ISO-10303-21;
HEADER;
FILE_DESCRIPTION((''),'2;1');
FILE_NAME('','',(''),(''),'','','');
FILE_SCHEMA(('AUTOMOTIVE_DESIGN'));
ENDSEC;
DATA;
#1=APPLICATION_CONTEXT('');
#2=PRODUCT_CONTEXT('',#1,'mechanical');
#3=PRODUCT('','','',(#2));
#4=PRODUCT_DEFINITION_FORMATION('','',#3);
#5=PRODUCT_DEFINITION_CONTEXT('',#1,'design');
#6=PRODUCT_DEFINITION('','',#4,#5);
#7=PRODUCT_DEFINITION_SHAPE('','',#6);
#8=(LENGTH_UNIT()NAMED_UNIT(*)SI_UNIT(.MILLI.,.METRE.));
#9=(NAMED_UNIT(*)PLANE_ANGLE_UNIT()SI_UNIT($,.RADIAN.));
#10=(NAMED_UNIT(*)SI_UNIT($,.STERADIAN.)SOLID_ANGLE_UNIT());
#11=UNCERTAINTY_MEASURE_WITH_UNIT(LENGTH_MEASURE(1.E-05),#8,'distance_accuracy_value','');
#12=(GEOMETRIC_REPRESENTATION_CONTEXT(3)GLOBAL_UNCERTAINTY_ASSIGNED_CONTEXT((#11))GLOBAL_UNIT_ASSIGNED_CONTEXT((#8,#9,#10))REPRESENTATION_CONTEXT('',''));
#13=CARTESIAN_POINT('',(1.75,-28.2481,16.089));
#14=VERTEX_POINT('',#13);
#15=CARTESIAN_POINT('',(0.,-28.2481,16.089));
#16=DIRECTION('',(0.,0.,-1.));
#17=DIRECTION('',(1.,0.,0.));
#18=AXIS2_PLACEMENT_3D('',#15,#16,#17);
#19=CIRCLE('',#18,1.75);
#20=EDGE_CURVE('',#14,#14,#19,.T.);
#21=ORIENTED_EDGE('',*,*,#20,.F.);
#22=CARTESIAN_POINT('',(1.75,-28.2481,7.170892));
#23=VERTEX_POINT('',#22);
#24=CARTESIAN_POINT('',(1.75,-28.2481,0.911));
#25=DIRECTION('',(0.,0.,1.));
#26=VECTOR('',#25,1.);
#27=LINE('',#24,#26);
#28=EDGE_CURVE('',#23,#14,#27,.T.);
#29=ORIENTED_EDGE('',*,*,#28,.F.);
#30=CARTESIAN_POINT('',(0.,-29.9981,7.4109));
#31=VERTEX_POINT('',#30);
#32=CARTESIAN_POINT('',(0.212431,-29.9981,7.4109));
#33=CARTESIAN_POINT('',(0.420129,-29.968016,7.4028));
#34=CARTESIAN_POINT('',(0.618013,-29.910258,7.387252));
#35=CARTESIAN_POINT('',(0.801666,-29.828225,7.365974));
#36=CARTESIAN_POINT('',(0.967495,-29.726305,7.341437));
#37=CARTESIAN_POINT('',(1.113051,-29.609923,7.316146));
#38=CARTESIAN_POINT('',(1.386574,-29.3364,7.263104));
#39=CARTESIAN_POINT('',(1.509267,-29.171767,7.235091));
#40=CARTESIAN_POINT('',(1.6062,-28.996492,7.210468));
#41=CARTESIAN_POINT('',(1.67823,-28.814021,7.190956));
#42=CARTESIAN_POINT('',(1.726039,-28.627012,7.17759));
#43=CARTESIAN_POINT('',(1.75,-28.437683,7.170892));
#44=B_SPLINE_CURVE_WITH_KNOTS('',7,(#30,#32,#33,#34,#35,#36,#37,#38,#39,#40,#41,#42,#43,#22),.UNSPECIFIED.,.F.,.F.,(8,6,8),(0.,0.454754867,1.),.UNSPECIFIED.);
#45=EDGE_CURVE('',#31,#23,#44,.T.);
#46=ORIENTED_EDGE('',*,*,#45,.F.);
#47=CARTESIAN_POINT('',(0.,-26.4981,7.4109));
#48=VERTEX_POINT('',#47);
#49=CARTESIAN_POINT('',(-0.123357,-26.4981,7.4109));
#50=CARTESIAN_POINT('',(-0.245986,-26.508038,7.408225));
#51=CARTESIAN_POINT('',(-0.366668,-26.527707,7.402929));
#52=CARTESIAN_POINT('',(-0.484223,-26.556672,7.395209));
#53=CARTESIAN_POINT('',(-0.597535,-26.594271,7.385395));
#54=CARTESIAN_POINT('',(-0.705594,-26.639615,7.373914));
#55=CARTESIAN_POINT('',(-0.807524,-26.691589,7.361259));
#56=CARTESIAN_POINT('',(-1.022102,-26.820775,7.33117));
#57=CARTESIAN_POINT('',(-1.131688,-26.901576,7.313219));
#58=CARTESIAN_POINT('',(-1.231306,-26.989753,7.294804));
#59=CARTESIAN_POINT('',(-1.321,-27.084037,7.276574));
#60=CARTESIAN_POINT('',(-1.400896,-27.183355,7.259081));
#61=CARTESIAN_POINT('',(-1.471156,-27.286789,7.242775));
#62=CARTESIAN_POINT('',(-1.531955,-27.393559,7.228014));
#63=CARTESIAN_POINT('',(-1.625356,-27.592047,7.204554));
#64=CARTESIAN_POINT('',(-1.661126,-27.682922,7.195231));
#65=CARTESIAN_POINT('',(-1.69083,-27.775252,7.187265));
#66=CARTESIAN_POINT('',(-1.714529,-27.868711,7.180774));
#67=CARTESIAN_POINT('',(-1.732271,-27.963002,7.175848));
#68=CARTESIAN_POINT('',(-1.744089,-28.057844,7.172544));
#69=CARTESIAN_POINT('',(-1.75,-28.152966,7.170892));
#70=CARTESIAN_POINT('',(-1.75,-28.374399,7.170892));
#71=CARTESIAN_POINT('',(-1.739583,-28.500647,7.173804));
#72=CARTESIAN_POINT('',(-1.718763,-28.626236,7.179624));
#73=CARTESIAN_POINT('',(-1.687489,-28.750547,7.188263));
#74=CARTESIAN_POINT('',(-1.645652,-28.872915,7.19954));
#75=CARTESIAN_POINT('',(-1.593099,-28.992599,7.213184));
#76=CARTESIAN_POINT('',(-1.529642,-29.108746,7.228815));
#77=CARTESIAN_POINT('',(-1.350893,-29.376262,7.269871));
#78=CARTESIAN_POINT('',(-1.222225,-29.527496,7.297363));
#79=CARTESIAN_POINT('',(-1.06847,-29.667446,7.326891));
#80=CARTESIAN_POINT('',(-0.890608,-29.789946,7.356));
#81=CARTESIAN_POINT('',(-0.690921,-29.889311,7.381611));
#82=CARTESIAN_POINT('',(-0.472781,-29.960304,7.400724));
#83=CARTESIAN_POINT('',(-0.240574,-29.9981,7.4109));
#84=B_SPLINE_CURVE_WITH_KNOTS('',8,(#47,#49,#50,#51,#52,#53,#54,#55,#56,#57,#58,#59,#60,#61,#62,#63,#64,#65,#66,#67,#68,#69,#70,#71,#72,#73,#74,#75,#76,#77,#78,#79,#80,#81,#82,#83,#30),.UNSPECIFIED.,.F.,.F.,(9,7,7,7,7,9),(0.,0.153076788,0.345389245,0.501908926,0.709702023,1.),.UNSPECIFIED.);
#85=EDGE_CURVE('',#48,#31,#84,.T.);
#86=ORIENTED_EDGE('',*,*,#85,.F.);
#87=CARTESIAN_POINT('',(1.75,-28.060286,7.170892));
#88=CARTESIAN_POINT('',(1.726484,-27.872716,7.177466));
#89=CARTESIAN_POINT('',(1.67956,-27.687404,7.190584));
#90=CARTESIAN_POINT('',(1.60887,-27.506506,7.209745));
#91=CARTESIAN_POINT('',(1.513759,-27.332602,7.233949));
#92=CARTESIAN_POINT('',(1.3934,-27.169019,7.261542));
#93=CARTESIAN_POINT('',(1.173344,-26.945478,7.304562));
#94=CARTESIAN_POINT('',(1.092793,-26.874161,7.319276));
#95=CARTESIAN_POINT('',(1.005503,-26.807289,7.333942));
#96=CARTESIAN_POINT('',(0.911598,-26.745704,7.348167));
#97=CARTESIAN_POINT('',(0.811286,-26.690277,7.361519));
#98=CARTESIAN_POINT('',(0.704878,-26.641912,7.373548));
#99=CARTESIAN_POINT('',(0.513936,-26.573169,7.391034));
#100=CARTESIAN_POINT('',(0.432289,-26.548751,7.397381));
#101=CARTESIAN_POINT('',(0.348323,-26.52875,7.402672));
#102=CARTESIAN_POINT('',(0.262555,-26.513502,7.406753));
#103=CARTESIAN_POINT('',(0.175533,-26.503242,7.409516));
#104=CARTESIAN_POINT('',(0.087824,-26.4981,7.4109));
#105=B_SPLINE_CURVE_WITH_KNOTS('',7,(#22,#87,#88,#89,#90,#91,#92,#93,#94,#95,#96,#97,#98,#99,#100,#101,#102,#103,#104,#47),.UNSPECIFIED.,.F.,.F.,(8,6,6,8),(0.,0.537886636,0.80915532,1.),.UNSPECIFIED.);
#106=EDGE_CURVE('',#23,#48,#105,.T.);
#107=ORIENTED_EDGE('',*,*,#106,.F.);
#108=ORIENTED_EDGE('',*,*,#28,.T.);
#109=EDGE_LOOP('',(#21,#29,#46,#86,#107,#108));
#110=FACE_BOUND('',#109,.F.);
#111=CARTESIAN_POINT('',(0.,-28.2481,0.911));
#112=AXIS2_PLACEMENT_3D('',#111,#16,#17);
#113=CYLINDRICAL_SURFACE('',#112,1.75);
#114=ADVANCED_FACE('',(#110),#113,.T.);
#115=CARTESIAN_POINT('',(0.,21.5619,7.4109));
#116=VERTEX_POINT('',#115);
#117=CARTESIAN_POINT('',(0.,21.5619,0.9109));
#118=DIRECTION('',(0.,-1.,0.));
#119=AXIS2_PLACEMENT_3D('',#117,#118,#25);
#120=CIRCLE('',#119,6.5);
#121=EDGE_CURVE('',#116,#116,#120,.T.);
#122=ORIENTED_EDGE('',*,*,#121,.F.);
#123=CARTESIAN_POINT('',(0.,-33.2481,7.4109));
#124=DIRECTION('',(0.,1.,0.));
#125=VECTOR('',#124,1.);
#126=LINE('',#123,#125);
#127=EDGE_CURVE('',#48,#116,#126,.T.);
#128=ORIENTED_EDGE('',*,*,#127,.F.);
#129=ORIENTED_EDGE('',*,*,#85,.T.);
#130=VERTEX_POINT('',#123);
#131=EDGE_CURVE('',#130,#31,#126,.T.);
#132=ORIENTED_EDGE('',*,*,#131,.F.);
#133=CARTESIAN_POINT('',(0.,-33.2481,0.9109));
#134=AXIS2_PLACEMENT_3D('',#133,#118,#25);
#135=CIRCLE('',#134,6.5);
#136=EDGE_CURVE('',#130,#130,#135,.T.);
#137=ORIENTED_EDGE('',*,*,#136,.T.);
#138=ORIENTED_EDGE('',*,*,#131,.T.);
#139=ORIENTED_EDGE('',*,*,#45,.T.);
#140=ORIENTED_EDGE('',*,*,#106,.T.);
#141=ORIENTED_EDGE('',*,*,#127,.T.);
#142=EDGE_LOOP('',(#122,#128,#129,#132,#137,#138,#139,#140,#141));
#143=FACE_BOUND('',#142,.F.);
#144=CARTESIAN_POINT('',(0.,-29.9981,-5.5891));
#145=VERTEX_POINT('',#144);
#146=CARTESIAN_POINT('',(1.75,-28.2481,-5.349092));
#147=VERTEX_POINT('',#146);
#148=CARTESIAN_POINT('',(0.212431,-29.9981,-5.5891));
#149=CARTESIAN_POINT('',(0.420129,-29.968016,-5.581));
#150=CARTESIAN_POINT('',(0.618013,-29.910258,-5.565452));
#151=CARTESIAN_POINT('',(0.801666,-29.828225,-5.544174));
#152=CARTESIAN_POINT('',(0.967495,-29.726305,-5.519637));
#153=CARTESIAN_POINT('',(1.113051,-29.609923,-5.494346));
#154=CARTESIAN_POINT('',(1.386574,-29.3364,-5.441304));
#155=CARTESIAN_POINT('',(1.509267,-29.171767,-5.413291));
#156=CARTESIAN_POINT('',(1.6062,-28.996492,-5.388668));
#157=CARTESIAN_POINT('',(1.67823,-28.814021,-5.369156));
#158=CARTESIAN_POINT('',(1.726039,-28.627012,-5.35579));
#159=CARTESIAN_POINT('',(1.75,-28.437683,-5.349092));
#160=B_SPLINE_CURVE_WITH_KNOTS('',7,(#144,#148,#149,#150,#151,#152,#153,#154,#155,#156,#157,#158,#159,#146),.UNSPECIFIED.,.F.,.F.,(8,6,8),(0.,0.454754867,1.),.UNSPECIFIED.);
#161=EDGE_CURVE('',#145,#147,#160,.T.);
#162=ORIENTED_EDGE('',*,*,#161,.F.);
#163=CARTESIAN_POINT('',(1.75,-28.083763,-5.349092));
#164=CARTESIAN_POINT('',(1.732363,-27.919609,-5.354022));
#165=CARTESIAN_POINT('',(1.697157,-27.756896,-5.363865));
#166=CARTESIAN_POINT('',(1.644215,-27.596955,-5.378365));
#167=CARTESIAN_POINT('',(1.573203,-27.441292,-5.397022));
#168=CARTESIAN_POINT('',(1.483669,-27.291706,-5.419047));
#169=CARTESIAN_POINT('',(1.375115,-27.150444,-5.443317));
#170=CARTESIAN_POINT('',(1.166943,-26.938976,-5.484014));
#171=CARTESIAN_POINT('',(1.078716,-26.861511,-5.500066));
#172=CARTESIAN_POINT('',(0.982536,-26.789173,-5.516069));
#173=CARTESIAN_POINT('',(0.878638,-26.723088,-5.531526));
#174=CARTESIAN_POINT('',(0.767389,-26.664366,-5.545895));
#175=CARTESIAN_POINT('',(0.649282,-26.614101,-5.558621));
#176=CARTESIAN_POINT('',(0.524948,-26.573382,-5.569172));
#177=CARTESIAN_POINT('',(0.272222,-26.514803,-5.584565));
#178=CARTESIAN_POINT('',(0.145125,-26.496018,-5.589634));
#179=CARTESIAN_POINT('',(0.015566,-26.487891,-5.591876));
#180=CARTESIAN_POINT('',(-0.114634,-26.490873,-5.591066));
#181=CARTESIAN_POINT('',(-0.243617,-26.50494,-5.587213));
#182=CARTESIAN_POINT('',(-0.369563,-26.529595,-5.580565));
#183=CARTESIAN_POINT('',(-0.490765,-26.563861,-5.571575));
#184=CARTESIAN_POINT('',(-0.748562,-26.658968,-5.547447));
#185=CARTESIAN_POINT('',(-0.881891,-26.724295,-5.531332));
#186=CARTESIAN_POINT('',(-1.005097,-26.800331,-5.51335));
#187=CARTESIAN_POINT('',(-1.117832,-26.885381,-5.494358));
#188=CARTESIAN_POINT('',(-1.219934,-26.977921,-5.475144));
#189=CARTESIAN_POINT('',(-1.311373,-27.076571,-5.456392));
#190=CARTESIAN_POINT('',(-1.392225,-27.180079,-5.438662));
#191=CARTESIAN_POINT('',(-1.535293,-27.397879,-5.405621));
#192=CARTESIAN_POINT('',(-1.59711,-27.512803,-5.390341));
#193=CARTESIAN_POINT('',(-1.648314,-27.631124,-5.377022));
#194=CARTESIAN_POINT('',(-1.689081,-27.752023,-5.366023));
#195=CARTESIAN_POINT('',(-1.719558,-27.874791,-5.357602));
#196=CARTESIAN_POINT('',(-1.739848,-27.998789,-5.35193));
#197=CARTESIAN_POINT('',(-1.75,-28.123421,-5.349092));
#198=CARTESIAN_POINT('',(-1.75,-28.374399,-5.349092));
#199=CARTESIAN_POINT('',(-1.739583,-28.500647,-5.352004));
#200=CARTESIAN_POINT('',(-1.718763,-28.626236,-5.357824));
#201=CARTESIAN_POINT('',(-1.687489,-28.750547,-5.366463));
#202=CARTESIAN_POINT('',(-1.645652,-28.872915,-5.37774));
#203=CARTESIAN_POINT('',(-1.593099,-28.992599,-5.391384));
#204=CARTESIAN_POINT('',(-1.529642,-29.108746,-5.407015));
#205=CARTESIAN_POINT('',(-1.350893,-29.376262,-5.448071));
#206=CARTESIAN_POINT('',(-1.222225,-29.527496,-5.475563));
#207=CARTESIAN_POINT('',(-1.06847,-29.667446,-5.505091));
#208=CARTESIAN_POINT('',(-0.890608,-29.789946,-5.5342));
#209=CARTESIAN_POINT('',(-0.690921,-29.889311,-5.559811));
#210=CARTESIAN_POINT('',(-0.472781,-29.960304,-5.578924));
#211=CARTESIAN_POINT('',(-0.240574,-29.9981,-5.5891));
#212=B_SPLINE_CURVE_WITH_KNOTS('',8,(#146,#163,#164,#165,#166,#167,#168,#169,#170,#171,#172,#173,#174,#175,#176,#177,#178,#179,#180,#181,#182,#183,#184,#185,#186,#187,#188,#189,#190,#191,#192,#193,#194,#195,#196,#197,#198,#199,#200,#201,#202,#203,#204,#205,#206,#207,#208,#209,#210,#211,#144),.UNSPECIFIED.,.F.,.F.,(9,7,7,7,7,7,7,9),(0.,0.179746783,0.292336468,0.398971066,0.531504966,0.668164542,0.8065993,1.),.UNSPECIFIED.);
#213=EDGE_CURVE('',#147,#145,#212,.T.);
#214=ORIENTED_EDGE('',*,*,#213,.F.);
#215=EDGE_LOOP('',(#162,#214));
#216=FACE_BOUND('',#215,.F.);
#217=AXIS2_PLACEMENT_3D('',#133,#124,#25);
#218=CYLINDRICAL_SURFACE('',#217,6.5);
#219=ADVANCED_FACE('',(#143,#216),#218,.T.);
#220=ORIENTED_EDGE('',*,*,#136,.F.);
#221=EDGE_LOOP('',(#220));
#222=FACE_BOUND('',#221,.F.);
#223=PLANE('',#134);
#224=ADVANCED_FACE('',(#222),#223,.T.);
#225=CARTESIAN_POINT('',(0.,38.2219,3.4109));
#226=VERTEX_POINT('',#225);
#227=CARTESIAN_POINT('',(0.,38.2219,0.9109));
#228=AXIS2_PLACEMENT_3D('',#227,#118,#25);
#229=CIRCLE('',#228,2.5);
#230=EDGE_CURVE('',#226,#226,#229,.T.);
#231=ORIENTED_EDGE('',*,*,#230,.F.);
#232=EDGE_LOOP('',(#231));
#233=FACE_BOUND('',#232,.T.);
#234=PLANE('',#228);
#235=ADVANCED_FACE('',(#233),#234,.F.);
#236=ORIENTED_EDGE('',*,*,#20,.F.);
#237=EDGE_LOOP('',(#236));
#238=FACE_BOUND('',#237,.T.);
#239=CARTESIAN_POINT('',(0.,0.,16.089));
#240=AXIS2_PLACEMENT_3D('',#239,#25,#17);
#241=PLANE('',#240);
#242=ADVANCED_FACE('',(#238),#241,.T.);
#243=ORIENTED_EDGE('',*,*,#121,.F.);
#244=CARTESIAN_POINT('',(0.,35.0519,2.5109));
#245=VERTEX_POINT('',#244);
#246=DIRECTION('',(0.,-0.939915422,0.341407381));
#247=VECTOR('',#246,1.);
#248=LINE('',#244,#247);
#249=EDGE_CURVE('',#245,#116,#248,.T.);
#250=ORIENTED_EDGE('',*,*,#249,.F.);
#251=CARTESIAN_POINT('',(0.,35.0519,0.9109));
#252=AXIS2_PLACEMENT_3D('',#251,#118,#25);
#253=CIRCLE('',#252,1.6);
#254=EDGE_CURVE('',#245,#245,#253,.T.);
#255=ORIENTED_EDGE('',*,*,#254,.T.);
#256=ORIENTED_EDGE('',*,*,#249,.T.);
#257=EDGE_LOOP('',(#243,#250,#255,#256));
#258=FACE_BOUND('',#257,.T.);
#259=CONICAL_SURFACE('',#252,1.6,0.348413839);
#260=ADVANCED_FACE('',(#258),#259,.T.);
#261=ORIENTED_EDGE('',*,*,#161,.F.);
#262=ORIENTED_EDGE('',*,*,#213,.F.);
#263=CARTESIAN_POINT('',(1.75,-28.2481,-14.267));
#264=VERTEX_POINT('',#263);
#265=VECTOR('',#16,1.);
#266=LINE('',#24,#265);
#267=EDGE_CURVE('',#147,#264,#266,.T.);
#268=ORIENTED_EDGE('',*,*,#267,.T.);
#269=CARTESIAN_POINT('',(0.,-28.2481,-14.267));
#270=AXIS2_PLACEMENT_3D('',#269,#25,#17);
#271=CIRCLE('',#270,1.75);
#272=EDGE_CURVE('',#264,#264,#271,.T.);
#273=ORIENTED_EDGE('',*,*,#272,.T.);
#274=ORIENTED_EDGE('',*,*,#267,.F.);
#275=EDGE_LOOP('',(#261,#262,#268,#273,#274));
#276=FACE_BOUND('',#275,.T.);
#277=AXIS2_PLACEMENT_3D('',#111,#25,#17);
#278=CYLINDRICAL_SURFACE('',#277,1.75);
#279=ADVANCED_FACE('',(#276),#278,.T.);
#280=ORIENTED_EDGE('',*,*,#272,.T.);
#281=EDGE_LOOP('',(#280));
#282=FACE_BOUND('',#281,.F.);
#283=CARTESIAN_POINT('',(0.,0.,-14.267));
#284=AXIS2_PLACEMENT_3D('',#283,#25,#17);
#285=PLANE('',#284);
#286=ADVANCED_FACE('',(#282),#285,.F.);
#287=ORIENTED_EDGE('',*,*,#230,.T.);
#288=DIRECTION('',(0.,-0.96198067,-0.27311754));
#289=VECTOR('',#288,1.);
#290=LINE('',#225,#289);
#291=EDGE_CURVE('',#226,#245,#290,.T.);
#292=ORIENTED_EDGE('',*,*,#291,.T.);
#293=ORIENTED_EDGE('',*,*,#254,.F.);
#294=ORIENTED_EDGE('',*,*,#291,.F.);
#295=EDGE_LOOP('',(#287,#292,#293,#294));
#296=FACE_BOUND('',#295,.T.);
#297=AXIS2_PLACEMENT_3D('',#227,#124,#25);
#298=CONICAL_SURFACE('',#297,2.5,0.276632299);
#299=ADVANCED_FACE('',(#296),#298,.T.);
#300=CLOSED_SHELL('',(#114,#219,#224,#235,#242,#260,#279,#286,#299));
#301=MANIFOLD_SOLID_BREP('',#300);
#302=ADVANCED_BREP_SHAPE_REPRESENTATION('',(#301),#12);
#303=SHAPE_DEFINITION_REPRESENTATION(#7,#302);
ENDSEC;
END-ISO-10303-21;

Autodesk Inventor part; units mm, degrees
ref_plane "YZ Plane" through (0, 0, 0) normal (1, 0, 0) x (0, 1, 0)
ref_plane "XZ Plane" through (0, 0, 0) normal (0, 1, 0) x (-1, 0, 0)
sketch "Sketch1" plane through (0, 0, 0) normal (1, 0, 0) x (0, 1, 0)
  line L0 (-33.2481, 0.9109) -> (-33.2481, 7.4109)
  line L1 (-33.2481, 7.4109) -> (21.5619, 7.4109)
  line L2 (35.0519, 2.5109) -> (21.5619, 7.4109)
  line L3 (38.2219, 0.9109) -> (38.2219, 3.4109)
  line L4 (38.2219, 3.4109) -> (35.0519, 2.5109)
  line L5 (-33.2481, 7.4109) -> (-33.2481, 10.4109)
  line L6 (-33.2481, 10.4109) -> (27.528, 10.4109)
  line L7 (38.2219, 0.9109) -> (-33.2481, 0.9109)
  line L8 (38.2219, 3.4109) -> (38.2219, 5.4109)
  line L9 (38.2219, 5.4109) -> (33.6607, 5.4109)
  line L10 (33.6607, 5.4109) -> (33.6607, 10.4109)
  line L11 (33.6607, 10.4109) -> (27.528, 10.4109)
  line L12 (33.6607, 10.4109) -> (33.6607, 10.4109)
  line L13 (33.6607, 10.4109) -> (-16.3393, 10.4109)
  line L14 (-16.3393, 10.4109) -> (-16.3393, 10.4109)
  point P0 (0, 0)
  dimension "d0" = 6.5
  dimension "d1" = 54.81
  dimension "d2" = 2.5
  dimension "d3" = 3
  dimension "d4" = 0
  dimension "d5" = 50
revolve "Revolution1" add sketch "Sketch1" angle 360 about axis through (0, 38.2219, 0.9109) along (0, -1, 0) contours L0 L1 L2 L4 L3 L7
ref_plane "Work Plane1" through (0, 0, 0.911) normal (0, 0, 1) x (1, 0, 0)
sketch "Sketch4" plane through (0, 0, 0.911) normal (0, 0, 1) x (1, 0, 0)
  line L0 (-6.5, -33.2481) -> (6.5, -33.2481) projected
  line L1 (0, -33.2481) -> (0, -28.2481)
  circle A0 centre (0, -28.2481) radius 1.75
  point P0 (0, 0)
  dimension "d11" = 5
  dimension "d12" = 3.5
extrude "Extrusion1" add sketch "Sketch4" along normal mid plane 30.356
properties part number "ASI Propane fluid domain"
